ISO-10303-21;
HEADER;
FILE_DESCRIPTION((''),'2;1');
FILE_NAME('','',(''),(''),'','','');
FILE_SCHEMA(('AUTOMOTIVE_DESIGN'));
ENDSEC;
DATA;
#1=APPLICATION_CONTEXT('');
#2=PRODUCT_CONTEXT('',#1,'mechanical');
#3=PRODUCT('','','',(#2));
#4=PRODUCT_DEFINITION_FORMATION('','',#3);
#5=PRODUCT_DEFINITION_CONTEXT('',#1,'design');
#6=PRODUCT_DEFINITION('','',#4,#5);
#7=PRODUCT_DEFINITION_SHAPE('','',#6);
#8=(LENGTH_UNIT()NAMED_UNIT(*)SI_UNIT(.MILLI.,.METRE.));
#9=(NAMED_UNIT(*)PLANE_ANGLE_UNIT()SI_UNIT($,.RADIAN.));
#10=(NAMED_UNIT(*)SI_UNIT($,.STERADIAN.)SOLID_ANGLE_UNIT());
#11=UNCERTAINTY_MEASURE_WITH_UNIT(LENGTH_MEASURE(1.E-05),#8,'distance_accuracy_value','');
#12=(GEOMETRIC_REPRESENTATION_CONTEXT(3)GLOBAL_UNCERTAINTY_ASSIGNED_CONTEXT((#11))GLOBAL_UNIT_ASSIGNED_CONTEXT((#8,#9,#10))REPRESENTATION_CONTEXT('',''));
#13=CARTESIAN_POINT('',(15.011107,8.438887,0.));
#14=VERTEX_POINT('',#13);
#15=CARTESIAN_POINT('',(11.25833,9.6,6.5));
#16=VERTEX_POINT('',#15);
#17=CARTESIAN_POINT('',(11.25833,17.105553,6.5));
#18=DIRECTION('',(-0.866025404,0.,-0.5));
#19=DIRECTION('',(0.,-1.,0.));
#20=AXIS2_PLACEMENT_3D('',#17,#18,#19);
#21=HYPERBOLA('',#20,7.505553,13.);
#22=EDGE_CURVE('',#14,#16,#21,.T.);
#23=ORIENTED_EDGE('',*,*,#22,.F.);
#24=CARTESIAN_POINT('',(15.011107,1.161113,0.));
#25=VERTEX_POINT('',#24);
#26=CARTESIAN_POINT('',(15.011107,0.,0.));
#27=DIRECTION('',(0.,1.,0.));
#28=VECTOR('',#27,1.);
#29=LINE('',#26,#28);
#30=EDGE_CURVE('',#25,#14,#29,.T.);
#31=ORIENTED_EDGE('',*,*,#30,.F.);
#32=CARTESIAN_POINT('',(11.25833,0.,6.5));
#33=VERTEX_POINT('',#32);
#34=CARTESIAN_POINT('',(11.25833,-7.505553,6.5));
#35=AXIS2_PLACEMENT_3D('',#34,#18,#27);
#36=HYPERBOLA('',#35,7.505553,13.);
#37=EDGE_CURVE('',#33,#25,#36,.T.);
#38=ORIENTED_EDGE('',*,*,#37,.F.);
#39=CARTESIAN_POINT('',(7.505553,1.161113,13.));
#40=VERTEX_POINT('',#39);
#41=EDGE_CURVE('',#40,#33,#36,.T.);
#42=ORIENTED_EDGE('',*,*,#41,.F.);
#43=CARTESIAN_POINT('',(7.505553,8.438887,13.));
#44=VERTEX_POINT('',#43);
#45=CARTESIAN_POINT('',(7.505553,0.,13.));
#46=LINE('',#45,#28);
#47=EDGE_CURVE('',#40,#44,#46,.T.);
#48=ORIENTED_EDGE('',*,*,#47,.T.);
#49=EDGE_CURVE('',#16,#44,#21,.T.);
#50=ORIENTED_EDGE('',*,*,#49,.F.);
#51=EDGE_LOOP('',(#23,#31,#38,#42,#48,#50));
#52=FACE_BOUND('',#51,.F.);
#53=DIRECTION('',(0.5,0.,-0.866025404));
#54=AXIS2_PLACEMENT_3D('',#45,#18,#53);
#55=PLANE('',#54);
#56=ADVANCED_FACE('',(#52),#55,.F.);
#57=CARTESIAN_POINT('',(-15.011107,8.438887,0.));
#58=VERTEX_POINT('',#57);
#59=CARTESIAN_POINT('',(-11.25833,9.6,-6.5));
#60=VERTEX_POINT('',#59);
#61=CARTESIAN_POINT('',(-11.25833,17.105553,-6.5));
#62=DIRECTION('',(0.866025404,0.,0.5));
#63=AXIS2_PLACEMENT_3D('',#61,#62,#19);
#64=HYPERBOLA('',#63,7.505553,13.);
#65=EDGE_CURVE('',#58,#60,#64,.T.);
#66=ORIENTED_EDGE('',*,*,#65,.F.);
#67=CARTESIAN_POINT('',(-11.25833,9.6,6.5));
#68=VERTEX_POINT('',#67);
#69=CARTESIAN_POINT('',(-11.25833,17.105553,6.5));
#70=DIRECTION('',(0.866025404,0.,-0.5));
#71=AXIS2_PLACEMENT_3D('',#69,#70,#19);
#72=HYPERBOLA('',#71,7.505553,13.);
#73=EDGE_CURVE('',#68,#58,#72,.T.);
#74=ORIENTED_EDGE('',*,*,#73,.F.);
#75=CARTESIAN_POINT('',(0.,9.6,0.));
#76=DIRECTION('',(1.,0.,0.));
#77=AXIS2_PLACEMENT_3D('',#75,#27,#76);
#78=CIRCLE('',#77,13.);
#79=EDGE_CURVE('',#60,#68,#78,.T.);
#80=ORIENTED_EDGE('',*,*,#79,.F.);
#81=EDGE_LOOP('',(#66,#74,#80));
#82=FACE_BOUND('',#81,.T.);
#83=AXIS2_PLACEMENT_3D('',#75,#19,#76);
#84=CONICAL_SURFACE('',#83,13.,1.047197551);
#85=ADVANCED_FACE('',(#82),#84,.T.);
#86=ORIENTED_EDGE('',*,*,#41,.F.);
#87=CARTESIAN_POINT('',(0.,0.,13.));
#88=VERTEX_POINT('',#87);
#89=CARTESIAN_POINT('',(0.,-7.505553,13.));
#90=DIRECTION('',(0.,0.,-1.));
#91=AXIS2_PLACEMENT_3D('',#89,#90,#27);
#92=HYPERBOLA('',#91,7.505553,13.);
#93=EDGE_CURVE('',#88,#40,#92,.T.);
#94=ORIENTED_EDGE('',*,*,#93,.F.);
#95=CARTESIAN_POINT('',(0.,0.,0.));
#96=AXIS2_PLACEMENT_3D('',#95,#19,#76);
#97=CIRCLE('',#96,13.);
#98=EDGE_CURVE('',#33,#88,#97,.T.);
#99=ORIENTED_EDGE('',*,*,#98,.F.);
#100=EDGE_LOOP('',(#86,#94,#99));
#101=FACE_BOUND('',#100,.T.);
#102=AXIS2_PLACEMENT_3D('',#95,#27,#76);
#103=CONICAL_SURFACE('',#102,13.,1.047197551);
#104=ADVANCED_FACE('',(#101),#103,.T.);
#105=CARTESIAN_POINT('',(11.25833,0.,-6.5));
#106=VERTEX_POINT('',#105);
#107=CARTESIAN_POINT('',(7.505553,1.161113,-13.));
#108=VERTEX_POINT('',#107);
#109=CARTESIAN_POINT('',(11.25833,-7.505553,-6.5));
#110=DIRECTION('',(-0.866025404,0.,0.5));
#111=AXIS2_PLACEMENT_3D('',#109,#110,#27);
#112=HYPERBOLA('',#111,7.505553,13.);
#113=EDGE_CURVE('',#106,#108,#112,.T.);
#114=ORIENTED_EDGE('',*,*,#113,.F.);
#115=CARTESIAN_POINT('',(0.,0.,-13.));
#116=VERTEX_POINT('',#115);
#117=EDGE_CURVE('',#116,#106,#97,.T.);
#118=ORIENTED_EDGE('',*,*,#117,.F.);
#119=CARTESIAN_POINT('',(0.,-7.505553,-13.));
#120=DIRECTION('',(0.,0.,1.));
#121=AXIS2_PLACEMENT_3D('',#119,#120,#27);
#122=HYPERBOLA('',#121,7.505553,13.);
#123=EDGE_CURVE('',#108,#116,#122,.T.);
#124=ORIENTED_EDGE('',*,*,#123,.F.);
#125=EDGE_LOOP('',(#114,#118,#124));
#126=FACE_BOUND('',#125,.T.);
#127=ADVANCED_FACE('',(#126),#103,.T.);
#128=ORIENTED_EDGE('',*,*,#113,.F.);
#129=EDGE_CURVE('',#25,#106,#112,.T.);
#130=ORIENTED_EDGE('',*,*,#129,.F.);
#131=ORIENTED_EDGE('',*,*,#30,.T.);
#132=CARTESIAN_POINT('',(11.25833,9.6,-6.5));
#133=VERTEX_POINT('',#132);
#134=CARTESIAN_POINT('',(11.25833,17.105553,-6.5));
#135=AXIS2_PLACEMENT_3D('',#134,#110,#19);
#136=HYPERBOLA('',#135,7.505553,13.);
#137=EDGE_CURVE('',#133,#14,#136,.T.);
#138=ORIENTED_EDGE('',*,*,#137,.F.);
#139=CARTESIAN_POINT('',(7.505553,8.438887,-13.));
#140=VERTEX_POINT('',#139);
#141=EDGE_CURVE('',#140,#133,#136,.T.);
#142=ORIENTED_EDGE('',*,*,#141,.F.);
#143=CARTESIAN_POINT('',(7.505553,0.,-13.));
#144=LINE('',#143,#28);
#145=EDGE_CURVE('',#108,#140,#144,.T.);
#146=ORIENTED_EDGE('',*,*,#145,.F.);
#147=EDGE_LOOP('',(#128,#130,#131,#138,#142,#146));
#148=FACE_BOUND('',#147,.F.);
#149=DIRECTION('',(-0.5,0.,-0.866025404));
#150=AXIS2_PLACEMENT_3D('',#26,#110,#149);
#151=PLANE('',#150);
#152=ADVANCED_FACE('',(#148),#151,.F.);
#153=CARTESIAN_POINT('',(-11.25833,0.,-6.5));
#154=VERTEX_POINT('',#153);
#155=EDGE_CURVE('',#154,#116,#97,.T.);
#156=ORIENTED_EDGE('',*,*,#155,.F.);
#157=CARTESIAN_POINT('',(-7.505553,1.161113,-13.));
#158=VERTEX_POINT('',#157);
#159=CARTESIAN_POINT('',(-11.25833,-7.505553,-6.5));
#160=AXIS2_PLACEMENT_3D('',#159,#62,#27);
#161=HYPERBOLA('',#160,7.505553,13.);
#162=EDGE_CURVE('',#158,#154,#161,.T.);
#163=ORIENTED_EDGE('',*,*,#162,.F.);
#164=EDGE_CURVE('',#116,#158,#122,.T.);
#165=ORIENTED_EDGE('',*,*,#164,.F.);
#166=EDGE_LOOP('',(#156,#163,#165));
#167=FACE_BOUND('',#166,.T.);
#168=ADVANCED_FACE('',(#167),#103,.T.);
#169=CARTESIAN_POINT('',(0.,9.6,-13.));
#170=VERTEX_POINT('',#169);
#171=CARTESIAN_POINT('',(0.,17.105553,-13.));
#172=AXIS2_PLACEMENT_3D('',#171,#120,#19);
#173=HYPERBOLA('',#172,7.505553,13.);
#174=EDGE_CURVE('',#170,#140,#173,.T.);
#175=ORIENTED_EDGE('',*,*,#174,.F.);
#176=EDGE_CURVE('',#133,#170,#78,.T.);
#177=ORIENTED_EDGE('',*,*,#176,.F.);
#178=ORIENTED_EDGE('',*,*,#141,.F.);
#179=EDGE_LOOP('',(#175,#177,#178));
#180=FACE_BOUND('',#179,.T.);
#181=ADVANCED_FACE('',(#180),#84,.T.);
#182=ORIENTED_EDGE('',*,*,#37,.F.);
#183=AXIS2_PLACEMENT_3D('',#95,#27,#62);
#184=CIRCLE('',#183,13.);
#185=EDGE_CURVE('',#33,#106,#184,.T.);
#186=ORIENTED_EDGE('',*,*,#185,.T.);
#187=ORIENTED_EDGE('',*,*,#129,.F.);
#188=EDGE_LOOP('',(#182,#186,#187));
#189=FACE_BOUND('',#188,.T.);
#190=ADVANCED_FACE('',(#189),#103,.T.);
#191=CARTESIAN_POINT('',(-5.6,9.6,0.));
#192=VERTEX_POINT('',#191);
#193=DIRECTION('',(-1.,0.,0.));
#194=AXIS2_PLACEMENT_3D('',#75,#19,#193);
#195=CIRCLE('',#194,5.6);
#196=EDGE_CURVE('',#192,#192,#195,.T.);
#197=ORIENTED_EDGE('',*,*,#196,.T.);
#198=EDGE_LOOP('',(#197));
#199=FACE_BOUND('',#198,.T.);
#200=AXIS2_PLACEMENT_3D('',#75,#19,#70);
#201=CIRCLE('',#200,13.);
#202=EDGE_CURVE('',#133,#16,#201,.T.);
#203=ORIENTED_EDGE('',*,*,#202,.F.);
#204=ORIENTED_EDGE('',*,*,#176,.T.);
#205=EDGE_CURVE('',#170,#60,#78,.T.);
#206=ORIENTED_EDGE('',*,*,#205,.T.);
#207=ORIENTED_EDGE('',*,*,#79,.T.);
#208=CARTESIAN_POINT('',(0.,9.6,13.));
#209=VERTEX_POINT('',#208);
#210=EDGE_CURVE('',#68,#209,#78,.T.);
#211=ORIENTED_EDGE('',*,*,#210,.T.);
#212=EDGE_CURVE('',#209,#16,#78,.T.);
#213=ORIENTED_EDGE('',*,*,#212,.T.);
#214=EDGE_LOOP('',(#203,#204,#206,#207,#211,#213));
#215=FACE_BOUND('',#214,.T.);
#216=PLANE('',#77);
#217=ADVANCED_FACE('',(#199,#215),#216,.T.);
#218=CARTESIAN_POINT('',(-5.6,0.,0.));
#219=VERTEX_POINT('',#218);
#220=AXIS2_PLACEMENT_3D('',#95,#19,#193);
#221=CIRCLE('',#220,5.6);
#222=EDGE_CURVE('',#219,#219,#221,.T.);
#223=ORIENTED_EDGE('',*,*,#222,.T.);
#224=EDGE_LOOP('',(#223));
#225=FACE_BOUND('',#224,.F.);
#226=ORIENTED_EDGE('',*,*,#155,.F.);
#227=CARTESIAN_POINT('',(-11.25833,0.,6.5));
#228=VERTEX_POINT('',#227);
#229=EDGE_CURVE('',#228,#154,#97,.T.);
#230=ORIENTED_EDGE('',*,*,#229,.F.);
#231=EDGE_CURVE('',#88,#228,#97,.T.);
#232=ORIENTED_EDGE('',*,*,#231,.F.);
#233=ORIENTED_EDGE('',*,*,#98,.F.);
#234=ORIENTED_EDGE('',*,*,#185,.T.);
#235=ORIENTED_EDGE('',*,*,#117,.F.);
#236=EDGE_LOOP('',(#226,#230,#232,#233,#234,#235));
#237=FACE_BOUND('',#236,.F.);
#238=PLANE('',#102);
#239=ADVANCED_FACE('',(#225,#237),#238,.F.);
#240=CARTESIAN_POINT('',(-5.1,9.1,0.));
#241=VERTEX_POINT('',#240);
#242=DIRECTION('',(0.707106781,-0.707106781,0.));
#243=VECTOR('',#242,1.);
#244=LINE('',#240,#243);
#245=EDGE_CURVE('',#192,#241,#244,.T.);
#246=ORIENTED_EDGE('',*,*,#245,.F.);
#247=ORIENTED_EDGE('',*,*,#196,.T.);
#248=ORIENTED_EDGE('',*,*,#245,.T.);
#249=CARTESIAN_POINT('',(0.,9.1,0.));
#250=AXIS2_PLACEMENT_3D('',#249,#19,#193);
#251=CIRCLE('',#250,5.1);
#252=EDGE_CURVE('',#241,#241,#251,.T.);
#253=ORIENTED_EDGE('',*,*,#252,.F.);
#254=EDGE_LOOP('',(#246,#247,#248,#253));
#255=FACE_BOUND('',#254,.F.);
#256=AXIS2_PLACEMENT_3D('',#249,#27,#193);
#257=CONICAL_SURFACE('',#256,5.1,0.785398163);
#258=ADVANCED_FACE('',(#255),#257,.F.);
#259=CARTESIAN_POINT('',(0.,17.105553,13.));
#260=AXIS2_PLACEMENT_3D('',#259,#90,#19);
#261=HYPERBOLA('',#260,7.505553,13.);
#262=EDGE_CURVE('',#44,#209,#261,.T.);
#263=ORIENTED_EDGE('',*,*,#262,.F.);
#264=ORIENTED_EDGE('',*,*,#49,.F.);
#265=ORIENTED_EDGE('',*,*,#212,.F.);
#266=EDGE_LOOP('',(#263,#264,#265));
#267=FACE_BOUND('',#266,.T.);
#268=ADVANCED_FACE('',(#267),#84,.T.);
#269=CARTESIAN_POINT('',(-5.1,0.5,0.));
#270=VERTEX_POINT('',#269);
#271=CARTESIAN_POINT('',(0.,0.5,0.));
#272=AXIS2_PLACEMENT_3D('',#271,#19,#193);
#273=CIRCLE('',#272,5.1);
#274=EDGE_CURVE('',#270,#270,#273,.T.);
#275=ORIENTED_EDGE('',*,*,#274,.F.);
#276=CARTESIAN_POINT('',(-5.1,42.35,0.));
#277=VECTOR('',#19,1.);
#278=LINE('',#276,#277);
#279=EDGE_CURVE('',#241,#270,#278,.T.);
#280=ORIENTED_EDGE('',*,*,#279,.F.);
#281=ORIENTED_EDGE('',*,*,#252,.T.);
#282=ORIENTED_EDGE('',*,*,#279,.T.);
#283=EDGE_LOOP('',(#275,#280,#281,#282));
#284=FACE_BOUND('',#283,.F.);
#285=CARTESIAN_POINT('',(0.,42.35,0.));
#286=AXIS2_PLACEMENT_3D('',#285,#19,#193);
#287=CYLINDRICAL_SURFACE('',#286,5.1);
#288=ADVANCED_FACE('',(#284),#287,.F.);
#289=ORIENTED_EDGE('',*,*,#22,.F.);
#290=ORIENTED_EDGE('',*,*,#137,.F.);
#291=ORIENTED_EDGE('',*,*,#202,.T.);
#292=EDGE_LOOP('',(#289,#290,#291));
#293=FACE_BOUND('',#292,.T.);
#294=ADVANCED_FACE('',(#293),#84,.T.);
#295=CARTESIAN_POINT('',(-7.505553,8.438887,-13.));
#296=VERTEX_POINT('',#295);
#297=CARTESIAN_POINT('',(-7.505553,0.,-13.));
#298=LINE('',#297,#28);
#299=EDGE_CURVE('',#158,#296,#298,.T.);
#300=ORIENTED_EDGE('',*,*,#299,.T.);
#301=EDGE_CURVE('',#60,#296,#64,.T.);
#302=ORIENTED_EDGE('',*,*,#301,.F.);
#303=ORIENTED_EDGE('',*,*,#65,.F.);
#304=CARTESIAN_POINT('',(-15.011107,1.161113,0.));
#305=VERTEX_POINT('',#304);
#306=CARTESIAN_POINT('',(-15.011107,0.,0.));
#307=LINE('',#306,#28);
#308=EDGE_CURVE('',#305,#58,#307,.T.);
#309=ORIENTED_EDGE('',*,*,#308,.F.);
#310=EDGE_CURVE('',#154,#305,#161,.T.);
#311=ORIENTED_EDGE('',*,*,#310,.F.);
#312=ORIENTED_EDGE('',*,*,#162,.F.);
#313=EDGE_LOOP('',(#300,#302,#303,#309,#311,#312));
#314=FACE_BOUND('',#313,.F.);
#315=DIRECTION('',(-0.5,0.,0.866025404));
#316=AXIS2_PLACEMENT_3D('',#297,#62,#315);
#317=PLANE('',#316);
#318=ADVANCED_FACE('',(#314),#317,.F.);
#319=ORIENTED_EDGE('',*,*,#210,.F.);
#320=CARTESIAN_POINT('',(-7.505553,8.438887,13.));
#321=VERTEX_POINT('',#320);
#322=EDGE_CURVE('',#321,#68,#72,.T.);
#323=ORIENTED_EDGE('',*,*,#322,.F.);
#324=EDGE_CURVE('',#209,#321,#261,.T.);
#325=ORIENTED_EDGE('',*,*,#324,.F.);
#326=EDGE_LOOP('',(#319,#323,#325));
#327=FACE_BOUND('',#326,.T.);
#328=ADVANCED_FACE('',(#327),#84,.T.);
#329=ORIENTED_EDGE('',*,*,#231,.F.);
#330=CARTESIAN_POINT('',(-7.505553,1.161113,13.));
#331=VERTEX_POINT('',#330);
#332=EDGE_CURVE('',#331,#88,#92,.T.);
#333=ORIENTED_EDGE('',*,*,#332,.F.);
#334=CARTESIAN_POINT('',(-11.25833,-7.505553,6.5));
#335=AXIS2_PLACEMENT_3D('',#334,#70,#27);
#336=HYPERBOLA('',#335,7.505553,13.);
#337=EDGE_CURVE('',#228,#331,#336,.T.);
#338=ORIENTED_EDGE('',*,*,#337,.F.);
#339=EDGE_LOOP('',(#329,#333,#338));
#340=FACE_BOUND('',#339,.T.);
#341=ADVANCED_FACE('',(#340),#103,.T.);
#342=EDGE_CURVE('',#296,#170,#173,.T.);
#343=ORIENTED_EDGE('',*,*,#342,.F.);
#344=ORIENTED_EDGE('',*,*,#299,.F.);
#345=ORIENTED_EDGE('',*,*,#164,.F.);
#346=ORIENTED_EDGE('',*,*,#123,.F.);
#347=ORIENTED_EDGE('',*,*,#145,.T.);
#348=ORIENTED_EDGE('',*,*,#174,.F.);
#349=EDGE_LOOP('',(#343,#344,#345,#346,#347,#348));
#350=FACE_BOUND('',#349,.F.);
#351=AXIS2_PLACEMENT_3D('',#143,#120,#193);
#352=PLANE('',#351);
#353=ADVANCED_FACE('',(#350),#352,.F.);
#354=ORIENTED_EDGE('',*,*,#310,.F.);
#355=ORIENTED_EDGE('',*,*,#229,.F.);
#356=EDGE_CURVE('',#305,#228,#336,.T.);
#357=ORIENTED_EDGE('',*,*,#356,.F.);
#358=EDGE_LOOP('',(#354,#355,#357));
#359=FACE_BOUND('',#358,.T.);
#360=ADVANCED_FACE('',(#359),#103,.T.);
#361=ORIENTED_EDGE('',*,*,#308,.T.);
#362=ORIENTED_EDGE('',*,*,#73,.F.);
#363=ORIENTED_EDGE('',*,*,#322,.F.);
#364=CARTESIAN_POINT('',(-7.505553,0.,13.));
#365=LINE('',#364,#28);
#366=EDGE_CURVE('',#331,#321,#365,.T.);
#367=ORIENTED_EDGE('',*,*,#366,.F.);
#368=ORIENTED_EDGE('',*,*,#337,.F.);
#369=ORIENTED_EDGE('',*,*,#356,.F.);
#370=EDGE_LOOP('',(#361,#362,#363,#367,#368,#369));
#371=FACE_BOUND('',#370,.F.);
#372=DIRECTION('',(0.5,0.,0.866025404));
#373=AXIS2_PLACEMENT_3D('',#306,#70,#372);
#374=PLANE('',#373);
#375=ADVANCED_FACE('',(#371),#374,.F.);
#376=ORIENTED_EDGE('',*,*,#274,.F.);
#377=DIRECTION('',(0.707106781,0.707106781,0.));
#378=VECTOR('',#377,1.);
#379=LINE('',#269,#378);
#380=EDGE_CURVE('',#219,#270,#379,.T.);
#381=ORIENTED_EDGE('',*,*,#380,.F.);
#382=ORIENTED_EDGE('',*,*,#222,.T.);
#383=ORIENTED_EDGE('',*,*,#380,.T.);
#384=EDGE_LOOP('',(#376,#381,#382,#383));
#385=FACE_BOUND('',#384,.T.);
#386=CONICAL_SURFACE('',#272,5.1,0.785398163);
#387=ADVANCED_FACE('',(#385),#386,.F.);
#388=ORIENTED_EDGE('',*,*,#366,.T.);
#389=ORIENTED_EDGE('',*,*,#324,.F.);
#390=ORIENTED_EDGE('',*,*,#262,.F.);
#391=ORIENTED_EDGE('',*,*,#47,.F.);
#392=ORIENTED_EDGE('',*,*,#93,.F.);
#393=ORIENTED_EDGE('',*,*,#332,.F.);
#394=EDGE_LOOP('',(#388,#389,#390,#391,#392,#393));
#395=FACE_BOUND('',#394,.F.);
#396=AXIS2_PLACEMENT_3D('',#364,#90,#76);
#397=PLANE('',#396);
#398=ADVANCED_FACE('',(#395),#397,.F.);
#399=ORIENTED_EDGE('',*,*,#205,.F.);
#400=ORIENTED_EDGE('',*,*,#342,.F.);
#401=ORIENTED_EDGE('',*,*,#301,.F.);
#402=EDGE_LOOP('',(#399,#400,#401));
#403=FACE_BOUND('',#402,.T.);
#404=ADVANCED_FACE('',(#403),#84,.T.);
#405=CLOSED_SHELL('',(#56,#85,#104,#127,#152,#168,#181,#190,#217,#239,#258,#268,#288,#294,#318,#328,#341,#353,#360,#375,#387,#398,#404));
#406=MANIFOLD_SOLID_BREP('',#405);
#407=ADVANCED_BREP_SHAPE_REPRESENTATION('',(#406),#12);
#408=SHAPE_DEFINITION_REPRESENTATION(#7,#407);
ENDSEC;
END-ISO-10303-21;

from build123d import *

# Parameters (mm, degrees)
BOSS_EXTRUDE1_DEPTH    = 9.6
SKETCH2_OUTSIDE_W      = 73.45
SKETCH2_OUTSIDE_H      = 69.428
SKETCH2_OUTSIDE_R      = 13
CUT_EXTRUDE1_DEPTH     = 9.6
CUT_EXTRUDE1_DRAFT     = -60
SKETCH3_OUTSIDE_W      = 73.45
SKETCH3_OUTSIDE_H      = 69.428
SKETCH3_OUTSIDE_R      = 13
CUT_EXTRUDE2_DEPTH     = 9.6
CUT_EXTRUDE2_DRAFT     = -60
M12_TAPPED_HOLE1_D     = 10.2
M12_TAPPED_HOLE1_DEPTH = 32.75
CHAMFER1_SIZE          = 0.5


with BuildPart() as part:
    # Sketch1 → Boss-Extrude1 (new body)
    with BuildSketch(Plane(origin=(0, 0, 0), x_dir=(1, 0, 0), z_dir=(0, 1, 0))):
        Polygon((15.011106999, 0), (7.505553499, 13), (-7.505553499, 13), (-15.011106999, 0), (-7.505553499, -13), (7.505553499, -13), align=None)
    extrude(amount=BOSS_EXTRUDE1_DEPTH)


with BuildPart() as cut_extrude1_tool:
    # Sketch2 outside → Cut-Extrude1 (with draft: the straight prism first)
    with BuildSketch(Plane(origin=(0, 9.6, 0), x_dir=(1, 0, 0), z_dir=(0, 1, 0))):
        Rectangle(SKETCH2_OUTSIDE_W, SKETCH2_OUTSIDE_H)
        Circle(SKETCH2_OUTSIDE_R, mode=Mode.SUBTRACT)
    extrude(amount=-CUT_EXTRUDE1_DEPTH)
    # Cut-Extrude1: the draft: its side faces are tilted about the plane it starts from
    cut_extrude1_sides = [cut_extrude1_tool.faces().sort_by_distance(p)[0] for p in [
        (0, 4.8, 34.714),
        (36.725, 4.8, 0),
        (0, 4.8, -34.714),
        (-36.725, 4.8, 0),
        (-13, 4.8, 0),
    ]]
    draft(cut_extrude1_sides, Plane(origin=(0, 9.6, 0), x_dir=(1, 0, 0), z_dir=(0, 1, 0)), CUT_EXTRUDE1_DRAFT)


with BuildPart() as part_1:
    add(part.part)

    # Cut-Extrude1: cut by cut_extrude1_tool
    add(cut_extrude1_tool.part, mode=Mode.SUBTRACT)


with BuildPart() as cut_extrude2_tool:
    # Sketch3 outside → Cut-Extrude2 (with draft: the straight prism first)
    with BuildSketch(Plane.XZ):
        Rectangle(SKETCH3_OUTSIDE_W, SKETCH3_OUTSIDE_H)
        Circle(SKETCH3_OUTSIDE_R, mode=Mode.SUBTRACT)
    extrude(amount=-CUT_EXTRUDE2_DEPTH)
    # Cut-Extrude2: the draft: its side faces are tilted about the plane it starts from
    cut_extrude2_sides = [cut_extrude2_tool.faces().sort_by_distance(p)[0] for p in [
        (0, 4.8, -34.714),
        (36.725, 4.8, 0),
        (0, 4.8, 34.714),
        (-36.725, 4.8, 0),
        (-13, 4.8, 0),
    ]]
    draft(cut_extrude2_sides, Plane.XZ, CUT_EXTRUDE2_DRAFT)


with BuildPart() as part_2:
    add(part_1.part)

    # Cut-Extrude2: cut by cut_extrude2_tool
    add(cut_extrude2_tool.part, mode=Mode.SUBTRACT)

    # M12 Tapped Hole1
    with Locations(Plane(origin=(0, 9.6, 0), x_dir=(1, 0, 0), z_dir=(0, 1, 0))):
        with Locations((0, 0)):
            Hole(M12_TAPPED_HOLE1_D / 2, depth=M12_TAPPED_HOLE1_DEPTH)

    # Chamfer1
    chamfer1_edges = [part_2.edges().sort_by_distance(p)[0] for p in [
        (5.1, 0, 0),
        (5.1, 9.6, 0),
    ]]
    chamfer(chamfer1_edges, length=CHAMFER1_SIZE)


solid = part_2.part
